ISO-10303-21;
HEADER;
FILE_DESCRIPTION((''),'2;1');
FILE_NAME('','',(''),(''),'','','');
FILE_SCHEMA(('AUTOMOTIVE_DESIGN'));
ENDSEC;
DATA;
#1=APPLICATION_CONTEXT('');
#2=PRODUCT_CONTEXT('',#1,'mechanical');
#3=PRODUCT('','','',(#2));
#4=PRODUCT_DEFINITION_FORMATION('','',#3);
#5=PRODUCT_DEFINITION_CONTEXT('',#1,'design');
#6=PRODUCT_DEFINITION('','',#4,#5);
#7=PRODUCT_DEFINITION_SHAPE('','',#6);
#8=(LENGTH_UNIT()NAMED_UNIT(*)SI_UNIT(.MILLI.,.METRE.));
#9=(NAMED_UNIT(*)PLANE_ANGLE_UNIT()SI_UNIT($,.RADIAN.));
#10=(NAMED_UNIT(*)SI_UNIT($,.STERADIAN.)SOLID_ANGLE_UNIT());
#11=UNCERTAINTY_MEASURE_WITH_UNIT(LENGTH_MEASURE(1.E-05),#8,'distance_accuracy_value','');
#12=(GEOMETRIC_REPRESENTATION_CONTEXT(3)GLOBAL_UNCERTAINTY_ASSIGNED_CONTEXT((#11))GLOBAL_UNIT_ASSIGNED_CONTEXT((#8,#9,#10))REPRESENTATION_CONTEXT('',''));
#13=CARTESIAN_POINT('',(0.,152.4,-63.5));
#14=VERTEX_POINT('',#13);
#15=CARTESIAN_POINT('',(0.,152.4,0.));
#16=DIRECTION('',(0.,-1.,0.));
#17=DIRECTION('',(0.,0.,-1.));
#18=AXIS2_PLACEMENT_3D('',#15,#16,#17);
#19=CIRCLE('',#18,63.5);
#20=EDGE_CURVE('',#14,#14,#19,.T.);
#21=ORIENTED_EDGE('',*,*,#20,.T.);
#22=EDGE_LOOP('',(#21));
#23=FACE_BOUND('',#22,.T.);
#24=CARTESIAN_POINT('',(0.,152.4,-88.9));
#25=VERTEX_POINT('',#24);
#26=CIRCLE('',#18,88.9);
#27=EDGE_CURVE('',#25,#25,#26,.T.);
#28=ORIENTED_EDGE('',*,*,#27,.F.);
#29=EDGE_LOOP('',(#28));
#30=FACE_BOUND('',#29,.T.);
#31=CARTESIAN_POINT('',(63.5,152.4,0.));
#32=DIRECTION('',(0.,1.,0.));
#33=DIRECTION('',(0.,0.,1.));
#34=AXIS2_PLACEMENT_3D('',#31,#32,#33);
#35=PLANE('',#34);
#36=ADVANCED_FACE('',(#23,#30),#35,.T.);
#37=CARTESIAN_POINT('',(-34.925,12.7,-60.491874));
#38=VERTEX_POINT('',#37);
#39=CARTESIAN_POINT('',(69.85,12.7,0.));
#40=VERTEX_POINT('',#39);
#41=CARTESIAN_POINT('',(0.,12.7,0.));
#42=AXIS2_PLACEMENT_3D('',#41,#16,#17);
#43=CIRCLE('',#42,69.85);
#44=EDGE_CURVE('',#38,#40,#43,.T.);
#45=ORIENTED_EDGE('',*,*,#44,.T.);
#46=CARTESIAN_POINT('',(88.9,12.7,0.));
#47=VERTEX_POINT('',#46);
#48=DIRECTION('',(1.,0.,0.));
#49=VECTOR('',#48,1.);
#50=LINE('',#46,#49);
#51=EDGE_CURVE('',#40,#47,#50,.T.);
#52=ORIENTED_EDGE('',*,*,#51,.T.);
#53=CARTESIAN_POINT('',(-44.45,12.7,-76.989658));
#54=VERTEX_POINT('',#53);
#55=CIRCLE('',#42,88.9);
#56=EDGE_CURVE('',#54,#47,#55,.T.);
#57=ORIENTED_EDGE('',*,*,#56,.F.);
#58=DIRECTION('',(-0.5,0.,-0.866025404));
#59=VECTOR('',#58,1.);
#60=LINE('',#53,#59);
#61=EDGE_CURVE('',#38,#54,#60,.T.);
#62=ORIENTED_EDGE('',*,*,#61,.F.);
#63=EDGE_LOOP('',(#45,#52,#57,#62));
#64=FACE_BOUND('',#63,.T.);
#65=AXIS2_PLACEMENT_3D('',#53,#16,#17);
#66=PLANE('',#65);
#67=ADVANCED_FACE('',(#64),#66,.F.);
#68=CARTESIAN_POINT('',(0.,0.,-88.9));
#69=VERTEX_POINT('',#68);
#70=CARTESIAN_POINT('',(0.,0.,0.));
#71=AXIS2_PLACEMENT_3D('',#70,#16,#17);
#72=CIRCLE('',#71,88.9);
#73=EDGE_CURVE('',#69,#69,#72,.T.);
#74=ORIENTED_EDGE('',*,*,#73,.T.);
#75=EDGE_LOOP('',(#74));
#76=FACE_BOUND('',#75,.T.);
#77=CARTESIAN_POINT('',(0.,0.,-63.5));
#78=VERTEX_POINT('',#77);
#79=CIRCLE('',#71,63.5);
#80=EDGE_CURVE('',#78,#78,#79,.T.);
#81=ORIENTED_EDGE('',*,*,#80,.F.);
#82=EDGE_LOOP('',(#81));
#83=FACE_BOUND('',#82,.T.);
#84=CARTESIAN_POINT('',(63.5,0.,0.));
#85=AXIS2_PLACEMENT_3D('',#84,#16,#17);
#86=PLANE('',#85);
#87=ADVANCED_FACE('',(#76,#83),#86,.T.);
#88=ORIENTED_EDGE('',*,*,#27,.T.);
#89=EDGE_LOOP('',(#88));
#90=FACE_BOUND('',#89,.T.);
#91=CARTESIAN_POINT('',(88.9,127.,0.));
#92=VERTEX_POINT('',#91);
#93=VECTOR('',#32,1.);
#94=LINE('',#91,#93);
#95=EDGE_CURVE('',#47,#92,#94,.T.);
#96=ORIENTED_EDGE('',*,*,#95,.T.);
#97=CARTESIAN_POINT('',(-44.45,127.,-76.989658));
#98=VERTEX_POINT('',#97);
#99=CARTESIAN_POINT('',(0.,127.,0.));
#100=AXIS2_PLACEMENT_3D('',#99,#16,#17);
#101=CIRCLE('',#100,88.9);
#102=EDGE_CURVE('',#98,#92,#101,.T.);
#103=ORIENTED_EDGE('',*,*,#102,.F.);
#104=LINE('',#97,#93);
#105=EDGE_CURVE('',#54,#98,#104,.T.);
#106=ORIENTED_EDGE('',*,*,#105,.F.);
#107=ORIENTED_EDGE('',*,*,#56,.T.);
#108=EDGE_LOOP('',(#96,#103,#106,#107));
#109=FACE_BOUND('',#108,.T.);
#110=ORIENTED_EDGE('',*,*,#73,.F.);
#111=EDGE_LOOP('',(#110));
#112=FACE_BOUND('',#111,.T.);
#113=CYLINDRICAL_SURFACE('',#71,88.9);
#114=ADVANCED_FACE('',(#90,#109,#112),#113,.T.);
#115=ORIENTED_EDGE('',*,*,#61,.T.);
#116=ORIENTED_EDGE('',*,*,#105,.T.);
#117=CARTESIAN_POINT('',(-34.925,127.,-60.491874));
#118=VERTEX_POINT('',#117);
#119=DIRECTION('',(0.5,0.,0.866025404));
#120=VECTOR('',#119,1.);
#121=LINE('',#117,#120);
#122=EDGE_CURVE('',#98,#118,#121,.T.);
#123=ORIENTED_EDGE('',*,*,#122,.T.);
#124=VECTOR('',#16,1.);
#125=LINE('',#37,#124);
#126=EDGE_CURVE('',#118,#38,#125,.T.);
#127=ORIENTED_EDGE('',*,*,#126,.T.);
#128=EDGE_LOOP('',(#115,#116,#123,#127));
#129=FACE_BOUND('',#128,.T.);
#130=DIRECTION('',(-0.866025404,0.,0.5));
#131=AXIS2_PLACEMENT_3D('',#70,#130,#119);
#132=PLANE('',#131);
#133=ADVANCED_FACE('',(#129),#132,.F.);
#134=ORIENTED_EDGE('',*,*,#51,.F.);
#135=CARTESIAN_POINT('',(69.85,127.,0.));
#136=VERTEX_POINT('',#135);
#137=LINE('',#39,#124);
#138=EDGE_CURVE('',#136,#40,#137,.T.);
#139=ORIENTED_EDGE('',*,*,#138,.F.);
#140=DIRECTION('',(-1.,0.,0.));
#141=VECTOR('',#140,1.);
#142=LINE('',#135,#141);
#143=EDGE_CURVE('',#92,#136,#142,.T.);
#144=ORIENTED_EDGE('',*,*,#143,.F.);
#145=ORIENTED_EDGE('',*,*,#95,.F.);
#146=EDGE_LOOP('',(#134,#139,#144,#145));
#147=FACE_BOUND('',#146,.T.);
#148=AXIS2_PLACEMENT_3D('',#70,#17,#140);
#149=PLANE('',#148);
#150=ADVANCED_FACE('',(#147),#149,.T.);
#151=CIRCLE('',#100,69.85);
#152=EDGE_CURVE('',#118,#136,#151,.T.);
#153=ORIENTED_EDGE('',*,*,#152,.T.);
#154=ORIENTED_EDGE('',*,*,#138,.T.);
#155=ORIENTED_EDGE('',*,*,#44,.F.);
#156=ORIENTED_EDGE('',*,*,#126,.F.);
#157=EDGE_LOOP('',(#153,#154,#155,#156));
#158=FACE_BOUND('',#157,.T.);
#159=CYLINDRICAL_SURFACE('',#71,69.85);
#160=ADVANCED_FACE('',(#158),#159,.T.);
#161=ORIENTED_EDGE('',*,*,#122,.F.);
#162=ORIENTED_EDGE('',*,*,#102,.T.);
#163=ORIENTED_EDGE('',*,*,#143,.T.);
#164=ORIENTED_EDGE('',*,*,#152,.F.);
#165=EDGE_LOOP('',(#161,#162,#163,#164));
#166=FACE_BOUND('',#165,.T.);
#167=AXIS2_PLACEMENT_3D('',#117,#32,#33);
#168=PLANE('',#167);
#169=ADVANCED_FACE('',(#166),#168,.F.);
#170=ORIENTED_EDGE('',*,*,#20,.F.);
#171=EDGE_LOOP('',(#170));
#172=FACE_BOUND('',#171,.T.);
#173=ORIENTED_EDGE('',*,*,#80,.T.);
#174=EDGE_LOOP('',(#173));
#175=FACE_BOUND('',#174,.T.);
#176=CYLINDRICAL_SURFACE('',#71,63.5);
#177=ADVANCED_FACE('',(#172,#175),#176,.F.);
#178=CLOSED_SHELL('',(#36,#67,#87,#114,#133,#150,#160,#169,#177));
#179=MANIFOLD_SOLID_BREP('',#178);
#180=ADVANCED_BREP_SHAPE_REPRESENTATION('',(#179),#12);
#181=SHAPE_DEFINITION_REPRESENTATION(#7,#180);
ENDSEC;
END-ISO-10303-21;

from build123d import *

# Parameters (mm, degrees)
SKETCH1_W          = 25.4
SKETCH1_H          = 152.4
SKETCH2_W          = 19.05
SKETCH2_H          = 114.3
CUT_REVOLVE1_ANGLE = 120


with BuildPart() as part:
    # Sketch1 → Revolve1 (revolve)
    with BuildSketch(Plane.XY):
        with Locations((76.2, 76.2)):
            Rectangle(SKETCH1_W, SKETCH1_H)
    revolve(axis=Axis((0, 0, 0), (0, 1, 0)))

    # Sketch2 → Cut-Revolve1 (revolve, cut)
    with BuildSketch(Plane.XY):
        with Locations((79.375, 69.85)):
            Rectangle(SKETCH2_W, SKETCH2_H)
    revolve(axis=Axis((0, 0, 0), (0, 1, 0)), revolution_arc=CUT_REVOLVE1_ANGLE, mode=Mode.SUBTRACT)


solid = part.part
